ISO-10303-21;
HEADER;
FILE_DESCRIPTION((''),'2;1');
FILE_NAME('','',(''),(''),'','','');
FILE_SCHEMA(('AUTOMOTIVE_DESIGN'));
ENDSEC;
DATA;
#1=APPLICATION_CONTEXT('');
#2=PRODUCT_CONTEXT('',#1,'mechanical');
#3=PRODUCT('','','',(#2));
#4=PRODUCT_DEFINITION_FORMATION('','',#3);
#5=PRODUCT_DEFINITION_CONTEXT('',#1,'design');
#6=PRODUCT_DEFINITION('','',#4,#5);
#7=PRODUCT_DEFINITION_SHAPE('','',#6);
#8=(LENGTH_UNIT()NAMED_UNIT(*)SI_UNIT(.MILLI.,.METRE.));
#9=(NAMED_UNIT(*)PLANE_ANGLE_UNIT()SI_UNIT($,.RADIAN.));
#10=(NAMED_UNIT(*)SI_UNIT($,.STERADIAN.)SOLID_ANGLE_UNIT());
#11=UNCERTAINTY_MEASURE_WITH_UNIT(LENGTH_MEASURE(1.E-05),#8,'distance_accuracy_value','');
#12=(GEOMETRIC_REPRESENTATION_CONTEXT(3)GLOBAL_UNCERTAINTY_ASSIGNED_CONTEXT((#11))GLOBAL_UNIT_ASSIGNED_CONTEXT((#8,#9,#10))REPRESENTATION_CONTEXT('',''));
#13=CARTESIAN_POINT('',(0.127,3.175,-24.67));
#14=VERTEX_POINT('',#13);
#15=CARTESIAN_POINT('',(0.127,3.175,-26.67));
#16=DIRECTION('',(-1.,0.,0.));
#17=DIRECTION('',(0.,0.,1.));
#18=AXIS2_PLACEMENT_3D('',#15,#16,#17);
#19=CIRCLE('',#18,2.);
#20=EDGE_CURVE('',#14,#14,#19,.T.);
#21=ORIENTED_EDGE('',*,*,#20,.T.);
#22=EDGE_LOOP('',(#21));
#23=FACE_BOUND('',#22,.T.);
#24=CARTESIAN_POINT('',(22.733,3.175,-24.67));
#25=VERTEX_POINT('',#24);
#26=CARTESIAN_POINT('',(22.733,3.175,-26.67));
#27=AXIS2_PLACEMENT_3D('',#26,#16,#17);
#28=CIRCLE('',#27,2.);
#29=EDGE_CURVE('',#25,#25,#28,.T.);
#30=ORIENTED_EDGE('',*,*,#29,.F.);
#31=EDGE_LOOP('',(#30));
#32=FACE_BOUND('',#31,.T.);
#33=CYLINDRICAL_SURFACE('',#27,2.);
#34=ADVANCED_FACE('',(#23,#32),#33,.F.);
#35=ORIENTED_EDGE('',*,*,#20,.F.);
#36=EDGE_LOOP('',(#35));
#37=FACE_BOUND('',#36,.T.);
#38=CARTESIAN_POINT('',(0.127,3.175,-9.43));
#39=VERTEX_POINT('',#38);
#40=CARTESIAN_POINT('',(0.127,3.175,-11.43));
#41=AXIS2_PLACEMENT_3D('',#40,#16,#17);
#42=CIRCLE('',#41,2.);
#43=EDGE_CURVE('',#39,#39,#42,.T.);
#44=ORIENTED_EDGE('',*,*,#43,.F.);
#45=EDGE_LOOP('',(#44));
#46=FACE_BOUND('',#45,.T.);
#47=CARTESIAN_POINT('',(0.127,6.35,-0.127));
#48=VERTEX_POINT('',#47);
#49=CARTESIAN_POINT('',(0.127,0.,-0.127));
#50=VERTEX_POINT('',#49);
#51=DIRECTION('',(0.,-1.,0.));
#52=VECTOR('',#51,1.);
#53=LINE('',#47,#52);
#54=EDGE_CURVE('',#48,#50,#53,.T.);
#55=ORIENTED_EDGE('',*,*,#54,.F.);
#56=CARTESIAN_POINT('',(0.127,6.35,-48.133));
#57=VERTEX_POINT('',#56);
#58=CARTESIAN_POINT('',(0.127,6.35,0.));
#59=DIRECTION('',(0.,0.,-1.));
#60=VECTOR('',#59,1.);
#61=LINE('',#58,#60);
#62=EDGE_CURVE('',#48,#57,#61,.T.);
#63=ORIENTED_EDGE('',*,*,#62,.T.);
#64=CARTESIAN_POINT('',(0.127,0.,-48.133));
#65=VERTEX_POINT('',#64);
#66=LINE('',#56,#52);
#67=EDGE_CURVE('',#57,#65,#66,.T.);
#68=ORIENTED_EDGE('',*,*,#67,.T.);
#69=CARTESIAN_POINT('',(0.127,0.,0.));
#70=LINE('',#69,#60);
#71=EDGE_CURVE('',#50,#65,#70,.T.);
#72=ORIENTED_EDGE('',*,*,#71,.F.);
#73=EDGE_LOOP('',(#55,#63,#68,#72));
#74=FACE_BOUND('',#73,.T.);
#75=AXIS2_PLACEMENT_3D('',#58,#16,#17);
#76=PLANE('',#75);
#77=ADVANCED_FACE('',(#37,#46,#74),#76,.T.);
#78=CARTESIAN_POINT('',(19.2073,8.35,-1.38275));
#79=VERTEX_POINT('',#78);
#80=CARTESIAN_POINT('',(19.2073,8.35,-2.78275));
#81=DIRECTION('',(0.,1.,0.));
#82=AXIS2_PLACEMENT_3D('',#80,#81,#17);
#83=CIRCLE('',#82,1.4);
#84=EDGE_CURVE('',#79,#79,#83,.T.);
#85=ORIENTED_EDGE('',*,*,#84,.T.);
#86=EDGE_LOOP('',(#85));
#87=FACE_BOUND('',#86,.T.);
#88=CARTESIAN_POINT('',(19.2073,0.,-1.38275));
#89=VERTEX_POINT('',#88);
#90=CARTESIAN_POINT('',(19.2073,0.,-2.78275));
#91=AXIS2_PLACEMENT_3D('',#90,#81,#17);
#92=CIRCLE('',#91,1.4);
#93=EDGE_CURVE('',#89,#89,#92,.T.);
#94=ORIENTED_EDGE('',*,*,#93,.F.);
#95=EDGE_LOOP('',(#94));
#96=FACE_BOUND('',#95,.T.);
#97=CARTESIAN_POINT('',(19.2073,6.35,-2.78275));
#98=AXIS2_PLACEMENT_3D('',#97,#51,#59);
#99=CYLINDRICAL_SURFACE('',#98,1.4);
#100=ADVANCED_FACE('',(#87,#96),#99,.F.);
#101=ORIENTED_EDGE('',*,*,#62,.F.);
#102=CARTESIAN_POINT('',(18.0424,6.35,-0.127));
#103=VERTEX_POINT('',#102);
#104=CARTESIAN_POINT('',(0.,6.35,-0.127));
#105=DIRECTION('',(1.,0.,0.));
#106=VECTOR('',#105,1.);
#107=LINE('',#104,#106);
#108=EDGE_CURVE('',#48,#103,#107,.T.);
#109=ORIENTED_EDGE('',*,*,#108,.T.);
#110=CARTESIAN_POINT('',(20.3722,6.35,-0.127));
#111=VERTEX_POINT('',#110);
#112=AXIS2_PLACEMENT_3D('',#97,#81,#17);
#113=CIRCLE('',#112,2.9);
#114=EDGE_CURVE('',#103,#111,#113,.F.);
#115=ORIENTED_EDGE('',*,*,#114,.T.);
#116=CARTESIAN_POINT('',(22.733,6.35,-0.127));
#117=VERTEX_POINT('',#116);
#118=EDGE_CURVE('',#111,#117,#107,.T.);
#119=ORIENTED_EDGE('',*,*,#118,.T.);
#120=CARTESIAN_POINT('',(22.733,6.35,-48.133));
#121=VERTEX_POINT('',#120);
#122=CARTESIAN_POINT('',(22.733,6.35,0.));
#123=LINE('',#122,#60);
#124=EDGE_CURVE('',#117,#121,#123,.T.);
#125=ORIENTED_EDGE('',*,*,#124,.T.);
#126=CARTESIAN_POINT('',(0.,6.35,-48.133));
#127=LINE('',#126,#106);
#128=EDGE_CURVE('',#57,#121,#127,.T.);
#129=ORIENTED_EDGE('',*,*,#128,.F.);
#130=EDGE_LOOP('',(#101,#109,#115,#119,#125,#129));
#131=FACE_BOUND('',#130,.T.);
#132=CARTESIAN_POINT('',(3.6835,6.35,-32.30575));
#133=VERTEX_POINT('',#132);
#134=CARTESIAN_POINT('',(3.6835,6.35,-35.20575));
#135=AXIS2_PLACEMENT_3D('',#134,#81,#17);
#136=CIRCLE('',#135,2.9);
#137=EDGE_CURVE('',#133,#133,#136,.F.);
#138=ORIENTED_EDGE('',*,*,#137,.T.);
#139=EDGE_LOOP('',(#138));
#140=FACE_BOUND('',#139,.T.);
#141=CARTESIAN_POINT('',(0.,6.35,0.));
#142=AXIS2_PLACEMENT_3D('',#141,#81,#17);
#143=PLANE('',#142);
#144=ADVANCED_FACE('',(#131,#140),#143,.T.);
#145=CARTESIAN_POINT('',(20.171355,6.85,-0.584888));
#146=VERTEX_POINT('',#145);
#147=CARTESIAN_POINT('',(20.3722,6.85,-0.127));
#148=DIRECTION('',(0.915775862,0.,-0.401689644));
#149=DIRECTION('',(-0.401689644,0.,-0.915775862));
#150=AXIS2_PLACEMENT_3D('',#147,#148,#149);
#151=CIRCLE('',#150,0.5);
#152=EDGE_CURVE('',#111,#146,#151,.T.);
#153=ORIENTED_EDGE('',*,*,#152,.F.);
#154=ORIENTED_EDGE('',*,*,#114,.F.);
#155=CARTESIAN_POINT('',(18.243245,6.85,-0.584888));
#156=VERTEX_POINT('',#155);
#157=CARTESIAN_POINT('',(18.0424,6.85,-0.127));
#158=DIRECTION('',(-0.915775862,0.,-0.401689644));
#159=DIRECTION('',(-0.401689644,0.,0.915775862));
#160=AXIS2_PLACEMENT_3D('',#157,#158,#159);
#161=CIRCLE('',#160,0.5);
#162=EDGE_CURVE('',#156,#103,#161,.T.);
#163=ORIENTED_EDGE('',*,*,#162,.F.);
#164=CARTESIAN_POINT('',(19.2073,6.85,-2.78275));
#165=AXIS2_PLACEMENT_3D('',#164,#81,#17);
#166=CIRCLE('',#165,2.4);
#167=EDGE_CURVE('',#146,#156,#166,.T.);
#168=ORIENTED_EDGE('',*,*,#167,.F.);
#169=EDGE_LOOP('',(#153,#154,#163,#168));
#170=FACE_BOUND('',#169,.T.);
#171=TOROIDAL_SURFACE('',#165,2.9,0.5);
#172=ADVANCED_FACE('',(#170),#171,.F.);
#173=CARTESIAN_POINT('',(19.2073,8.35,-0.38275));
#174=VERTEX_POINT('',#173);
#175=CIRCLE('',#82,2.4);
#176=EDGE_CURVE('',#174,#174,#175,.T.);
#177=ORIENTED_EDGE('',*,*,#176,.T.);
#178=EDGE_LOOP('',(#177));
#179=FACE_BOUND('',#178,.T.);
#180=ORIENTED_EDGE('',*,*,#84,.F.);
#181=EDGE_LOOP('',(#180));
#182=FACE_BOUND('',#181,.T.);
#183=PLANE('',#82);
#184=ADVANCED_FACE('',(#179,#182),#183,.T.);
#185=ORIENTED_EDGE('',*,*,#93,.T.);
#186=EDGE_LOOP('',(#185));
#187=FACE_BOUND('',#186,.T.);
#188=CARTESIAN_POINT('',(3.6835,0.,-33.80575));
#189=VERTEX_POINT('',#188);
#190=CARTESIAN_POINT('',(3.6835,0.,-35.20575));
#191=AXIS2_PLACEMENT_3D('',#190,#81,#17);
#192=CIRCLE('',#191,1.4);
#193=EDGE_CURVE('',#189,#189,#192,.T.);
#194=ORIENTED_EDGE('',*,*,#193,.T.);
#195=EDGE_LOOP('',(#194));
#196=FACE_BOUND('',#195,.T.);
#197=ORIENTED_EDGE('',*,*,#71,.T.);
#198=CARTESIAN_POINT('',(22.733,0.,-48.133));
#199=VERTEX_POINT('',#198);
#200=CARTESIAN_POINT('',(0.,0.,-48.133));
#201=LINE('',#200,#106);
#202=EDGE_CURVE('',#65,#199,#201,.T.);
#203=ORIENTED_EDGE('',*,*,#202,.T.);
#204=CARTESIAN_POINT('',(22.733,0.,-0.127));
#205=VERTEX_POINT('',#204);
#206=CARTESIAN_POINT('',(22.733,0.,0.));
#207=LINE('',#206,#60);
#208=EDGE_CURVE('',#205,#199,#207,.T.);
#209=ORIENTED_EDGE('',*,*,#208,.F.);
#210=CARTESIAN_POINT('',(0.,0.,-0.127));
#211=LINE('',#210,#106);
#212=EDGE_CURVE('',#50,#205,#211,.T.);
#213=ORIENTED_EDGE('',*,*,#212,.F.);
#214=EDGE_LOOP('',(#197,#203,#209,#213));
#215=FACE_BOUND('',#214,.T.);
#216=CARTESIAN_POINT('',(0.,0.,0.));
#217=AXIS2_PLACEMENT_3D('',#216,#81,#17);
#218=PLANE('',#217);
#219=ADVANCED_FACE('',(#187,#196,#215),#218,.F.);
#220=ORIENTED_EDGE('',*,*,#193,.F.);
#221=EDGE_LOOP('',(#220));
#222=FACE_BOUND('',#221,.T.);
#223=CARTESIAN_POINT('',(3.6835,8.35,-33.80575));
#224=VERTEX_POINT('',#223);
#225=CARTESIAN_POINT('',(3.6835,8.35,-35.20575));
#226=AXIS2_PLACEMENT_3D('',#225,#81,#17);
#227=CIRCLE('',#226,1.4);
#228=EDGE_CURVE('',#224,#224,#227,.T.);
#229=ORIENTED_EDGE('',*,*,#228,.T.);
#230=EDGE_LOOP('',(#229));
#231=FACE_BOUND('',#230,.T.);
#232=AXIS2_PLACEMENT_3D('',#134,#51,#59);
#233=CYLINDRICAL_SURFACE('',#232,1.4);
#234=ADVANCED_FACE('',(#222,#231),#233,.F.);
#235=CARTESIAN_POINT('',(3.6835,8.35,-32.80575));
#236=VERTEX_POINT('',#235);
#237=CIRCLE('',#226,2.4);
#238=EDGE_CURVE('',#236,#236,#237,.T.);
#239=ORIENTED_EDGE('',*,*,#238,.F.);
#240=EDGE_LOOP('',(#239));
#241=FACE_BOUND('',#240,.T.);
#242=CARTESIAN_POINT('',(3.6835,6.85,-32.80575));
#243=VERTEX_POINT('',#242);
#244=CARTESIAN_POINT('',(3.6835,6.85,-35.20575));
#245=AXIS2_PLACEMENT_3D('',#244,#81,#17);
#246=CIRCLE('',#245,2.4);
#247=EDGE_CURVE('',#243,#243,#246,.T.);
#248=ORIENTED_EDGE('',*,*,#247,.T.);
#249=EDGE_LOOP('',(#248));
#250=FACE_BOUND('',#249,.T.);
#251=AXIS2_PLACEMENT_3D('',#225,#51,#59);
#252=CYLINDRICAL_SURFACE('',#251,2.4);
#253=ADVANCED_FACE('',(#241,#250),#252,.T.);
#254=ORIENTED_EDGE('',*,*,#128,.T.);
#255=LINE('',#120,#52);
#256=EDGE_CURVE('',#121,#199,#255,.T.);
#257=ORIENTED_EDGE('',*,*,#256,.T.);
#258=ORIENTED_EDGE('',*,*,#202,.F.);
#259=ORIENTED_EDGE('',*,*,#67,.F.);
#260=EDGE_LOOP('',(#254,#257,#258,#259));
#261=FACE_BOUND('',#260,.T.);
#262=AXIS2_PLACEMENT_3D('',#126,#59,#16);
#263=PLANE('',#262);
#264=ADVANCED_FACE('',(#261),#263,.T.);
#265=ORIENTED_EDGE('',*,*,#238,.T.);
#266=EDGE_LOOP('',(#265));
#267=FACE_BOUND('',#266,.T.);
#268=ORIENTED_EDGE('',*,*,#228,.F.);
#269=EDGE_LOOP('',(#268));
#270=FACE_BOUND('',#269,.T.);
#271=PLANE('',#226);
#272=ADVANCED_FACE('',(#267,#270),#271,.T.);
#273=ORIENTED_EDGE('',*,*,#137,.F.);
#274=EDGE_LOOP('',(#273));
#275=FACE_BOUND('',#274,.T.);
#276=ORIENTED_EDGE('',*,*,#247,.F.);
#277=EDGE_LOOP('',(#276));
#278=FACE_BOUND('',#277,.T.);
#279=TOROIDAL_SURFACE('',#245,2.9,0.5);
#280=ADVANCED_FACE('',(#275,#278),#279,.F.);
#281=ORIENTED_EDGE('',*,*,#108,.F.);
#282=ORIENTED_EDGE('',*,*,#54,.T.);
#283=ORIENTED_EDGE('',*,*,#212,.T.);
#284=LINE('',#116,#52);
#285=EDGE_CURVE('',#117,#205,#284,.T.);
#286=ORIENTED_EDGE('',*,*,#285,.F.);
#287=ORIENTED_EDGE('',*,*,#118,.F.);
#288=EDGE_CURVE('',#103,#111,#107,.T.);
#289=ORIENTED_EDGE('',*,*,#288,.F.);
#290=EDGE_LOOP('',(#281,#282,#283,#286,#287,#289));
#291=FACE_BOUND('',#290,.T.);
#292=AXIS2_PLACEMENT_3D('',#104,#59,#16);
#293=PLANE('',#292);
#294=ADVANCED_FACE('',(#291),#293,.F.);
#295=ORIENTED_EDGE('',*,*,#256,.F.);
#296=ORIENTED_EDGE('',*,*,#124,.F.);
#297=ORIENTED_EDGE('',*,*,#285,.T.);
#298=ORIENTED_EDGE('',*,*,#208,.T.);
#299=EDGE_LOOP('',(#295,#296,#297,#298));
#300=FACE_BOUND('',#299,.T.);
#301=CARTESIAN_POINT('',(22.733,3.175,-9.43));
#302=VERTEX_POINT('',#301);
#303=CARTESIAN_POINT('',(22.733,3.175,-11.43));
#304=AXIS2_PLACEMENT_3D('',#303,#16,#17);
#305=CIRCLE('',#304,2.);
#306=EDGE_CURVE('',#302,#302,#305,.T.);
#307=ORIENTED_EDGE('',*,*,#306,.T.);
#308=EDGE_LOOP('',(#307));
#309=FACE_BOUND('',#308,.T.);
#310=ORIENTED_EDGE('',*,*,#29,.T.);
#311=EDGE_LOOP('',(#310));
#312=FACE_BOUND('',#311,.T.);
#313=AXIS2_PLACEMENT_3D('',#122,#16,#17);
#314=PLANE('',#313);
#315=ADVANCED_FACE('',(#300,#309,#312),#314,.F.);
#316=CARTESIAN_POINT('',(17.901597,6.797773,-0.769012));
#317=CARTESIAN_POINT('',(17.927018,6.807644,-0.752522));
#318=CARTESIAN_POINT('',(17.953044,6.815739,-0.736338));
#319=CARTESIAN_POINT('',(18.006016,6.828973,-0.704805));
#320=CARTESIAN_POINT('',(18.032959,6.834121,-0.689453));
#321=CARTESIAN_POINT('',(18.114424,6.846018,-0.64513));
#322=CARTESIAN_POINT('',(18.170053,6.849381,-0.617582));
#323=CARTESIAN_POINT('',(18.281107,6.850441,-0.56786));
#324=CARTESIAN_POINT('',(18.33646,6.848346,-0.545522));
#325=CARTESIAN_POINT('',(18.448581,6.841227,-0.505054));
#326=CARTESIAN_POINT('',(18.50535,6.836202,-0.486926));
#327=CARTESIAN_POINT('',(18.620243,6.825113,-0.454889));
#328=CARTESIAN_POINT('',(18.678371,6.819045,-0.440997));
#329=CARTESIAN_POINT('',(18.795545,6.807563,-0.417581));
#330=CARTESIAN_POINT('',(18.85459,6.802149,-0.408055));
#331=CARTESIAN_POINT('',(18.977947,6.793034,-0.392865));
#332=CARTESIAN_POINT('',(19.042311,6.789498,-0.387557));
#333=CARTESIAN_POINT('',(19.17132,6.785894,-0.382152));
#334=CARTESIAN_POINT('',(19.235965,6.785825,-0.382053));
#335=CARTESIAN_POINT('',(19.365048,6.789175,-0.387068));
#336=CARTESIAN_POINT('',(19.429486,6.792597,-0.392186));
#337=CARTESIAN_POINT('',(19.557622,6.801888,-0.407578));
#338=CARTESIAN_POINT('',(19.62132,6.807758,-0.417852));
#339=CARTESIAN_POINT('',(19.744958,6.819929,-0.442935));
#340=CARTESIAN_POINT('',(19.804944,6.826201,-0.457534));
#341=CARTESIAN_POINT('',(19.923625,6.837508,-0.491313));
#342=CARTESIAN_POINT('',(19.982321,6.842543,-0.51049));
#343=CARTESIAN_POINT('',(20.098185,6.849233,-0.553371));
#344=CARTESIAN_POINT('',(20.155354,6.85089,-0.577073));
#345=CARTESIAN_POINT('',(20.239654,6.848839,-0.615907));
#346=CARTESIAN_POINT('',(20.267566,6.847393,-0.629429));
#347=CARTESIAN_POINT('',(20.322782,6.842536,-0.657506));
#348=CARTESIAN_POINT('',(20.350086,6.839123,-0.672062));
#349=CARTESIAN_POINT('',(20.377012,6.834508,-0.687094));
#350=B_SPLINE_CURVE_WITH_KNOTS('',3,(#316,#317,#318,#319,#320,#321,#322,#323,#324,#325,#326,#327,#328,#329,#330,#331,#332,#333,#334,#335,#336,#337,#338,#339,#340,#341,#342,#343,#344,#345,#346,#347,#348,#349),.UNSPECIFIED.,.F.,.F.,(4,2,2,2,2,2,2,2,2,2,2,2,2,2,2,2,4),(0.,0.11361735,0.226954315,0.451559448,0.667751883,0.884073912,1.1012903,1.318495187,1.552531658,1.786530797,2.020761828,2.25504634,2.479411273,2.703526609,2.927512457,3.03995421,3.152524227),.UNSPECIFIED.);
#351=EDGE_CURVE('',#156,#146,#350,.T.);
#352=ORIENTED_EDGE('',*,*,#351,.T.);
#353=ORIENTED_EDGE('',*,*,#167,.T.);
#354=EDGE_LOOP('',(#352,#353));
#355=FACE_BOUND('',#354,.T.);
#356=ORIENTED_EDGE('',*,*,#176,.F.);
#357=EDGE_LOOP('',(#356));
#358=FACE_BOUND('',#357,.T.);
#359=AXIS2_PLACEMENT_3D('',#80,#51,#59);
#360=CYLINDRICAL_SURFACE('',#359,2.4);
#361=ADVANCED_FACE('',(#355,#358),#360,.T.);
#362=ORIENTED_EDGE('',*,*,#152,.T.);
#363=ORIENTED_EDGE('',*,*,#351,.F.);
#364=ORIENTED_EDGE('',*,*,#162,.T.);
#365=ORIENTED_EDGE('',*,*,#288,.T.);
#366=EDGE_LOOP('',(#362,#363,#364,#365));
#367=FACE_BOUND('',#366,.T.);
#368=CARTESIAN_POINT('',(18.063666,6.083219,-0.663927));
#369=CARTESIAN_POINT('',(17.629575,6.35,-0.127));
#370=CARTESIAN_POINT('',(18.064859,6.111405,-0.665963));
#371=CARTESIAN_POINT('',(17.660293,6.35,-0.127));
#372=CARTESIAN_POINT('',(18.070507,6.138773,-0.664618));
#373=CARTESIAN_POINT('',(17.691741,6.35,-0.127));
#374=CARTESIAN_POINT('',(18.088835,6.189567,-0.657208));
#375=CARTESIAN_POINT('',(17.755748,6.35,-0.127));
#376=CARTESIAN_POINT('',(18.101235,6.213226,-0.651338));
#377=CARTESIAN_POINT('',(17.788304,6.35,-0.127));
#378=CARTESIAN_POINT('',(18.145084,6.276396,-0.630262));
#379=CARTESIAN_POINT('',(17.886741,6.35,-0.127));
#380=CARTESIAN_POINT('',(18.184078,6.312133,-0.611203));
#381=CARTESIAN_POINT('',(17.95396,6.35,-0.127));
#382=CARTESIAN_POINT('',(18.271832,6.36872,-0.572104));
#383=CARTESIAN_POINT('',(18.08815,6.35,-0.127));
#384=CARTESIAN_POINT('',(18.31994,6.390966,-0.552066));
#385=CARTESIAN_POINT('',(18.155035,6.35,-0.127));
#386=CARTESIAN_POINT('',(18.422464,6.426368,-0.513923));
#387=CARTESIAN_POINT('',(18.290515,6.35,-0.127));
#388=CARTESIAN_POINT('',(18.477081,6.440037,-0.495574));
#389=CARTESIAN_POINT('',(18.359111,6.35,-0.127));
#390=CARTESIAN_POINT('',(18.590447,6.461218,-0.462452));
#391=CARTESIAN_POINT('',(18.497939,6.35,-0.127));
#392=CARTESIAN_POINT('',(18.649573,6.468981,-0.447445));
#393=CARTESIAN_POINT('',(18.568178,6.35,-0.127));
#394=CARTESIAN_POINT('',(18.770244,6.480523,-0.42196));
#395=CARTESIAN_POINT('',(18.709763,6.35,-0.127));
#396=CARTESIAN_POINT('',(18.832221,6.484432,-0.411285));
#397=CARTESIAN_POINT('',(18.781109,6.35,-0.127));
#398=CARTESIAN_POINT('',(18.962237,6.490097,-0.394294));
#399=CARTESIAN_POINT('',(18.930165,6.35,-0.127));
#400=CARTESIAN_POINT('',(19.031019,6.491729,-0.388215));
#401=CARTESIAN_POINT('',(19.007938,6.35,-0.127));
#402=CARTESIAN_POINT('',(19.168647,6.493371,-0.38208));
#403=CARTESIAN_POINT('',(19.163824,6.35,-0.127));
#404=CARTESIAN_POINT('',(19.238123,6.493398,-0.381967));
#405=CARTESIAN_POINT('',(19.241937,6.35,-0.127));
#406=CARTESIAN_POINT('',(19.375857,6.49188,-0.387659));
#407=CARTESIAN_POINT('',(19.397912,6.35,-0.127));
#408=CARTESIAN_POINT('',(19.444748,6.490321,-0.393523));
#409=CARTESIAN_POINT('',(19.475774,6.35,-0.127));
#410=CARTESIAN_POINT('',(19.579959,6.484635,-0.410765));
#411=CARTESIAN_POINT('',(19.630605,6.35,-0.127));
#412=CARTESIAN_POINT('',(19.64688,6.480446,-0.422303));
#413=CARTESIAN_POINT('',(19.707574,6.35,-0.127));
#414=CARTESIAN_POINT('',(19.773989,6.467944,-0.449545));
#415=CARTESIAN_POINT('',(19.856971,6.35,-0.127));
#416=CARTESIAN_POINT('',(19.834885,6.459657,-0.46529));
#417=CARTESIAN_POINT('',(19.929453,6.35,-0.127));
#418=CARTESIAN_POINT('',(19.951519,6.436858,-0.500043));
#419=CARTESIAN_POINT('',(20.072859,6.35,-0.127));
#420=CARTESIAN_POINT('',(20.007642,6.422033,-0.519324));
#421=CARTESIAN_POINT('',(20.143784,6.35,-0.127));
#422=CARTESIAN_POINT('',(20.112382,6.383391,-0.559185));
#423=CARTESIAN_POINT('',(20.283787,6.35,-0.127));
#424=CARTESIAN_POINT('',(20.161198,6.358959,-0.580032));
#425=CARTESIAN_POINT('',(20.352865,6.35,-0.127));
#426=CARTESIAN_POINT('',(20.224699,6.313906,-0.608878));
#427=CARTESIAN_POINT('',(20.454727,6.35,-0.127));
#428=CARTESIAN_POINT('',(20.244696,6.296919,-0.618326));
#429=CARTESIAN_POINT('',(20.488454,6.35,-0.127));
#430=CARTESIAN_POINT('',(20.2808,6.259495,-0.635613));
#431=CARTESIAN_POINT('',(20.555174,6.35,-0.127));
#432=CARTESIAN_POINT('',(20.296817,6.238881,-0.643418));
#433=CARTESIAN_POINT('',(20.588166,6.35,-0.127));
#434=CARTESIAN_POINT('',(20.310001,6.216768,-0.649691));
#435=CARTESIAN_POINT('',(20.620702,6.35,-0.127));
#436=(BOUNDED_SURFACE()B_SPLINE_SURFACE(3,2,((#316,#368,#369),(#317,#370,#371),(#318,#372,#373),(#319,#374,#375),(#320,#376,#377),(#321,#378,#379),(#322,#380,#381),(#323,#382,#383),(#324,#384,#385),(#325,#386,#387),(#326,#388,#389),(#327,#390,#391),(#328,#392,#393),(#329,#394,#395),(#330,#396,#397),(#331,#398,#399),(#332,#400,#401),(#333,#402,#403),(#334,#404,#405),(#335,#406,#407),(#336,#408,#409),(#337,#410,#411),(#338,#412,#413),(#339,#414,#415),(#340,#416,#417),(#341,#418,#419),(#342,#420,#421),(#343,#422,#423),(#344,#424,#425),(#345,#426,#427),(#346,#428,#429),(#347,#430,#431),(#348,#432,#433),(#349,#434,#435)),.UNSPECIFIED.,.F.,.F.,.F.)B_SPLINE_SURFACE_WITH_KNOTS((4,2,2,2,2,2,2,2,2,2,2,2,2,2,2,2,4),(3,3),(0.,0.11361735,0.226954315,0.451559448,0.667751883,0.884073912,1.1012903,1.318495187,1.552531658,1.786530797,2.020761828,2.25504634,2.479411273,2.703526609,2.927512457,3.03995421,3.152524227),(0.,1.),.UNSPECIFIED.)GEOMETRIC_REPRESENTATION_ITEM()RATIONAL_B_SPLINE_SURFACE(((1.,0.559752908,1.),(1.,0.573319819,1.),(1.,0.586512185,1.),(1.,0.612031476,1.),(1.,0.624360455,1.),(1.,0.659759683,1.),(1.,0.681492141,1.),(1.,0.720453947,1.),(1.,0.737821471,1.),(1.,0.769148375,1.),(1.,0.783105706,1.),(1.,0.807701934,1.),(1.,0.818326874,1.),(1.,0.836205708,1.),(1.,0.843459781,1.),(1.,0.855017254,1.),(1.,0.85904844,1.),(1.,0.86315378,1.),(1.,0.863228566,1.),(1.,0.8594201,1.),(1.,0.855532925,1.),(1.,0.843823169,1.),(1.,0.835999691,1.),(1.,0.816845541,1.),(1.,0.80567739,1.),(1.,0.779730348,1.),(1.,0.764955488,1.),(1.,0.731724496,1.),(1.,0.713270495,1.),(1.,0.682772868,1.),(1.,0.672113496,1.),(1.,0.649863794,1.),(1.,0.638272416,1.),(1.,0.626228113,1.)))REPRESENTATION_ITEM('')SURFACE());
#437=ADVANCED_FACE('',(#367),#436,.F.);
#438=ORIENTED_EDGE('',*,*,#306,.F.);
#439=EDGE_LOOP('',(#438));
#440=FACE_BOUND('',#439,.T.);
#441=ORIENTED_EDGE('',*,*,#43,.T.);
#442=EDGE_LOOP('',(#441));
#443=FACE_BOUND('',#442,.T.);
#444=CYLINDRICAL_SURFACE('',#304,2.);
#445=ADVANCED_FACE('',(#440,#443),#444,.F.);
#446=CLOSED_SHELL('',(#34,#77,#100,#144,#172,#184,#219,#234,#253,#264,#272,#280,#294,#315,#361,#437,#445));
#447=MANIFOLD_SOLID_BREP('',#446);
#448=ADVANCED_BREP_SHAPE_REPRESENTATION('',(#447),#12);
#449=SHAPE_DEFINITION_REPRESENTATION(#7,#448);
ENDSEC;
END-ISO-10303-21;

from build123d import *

# Parameters (mm, degrees)
SKETCH1_W           = 22.606
SKETCH1_H           = 48.006
SKETCH1_R           = 1.4
BOSS_EXTRUDE1_DEPTH = 6.35
SKETCH2_R           = 2
CUT_EXTRUDE1_DEPTH  = 23.606
SKETCH3_R           = 2.4
SKETCH3_R_2         = 1.4
BOSS_EXTRUDE2_DEPTH = 2
FILLET1_R           = 0.5


with BuildPart() as part:
    # Sketch1 → Boss-Extrude1 (new body)
    with BuildSketch(Plane(origin=(0, 0, 0), x_dir=(1, 0, 0), z_dir=(0, 1, 0))):
        with Locations((11.43, 24.13)):
            Rectangle(SKETCH1_W, SKETCH1_H)
        with Locations((3.6835, 35.20575)):
            Circle(SKETCH1_R, mode=Mode.SUBTRACT)
        with Locations((19.2073, 2.78275)):
            Circle(SKETCH1_R, mode=Mode.SUBTRACT)
    extrude(amount=BOSS_EXTRUDE1_DEPTH)

    # Sketch2 → Cut-Extrude1 (cut, through all)
    with BuildSketch(Plane.ZY.offset(-0.127)):
        with Locations((-26.67, 3.175)):
            Circle(SKETCH2_R)
        with Locations((-11.43, 3.175)):
            Circle(SKETCH2_R)
    extrude(amount=-CUT_EXTRUDE1_DEPTH, mode=Mode.SUBTRACT)

    # Sketch3 → Boss-Extrude2 (add)
    with BuildSketch(Plane(origin=(0, 6.35, 0), x_dir=(1, 0, 0), z_dir=(0, 1, 0))):
        with Locations((3.6835, 35.20575)):
            Circle(SKETCH3_R)
        with Locations((3.6835, 35.20575)):
            Circle(SKETCH3_R_2, mode=Mode.SUBTRACT)
        with Locations((19.2073, 2.78275)):
            Circle(SKETCH3_R)
        with Locations((19.2073, 2.78275)):
            Circle(SKETCH3_R_2, mode=Mode.SUBTRACT)
    extrude(amount=BOSS_EXTRUDE2_DEPTH)

    # Fillet1
    fillet1_edges = [part.edges().sort_by_distance(p)[0] for p in [
        (1.2835, 6.35, -35.20575),
        (16.8073, 6.35, -2.78275),
    ]]
    fillet(fillet1_edges, radius=FILLET1_R)


solid = part.part
